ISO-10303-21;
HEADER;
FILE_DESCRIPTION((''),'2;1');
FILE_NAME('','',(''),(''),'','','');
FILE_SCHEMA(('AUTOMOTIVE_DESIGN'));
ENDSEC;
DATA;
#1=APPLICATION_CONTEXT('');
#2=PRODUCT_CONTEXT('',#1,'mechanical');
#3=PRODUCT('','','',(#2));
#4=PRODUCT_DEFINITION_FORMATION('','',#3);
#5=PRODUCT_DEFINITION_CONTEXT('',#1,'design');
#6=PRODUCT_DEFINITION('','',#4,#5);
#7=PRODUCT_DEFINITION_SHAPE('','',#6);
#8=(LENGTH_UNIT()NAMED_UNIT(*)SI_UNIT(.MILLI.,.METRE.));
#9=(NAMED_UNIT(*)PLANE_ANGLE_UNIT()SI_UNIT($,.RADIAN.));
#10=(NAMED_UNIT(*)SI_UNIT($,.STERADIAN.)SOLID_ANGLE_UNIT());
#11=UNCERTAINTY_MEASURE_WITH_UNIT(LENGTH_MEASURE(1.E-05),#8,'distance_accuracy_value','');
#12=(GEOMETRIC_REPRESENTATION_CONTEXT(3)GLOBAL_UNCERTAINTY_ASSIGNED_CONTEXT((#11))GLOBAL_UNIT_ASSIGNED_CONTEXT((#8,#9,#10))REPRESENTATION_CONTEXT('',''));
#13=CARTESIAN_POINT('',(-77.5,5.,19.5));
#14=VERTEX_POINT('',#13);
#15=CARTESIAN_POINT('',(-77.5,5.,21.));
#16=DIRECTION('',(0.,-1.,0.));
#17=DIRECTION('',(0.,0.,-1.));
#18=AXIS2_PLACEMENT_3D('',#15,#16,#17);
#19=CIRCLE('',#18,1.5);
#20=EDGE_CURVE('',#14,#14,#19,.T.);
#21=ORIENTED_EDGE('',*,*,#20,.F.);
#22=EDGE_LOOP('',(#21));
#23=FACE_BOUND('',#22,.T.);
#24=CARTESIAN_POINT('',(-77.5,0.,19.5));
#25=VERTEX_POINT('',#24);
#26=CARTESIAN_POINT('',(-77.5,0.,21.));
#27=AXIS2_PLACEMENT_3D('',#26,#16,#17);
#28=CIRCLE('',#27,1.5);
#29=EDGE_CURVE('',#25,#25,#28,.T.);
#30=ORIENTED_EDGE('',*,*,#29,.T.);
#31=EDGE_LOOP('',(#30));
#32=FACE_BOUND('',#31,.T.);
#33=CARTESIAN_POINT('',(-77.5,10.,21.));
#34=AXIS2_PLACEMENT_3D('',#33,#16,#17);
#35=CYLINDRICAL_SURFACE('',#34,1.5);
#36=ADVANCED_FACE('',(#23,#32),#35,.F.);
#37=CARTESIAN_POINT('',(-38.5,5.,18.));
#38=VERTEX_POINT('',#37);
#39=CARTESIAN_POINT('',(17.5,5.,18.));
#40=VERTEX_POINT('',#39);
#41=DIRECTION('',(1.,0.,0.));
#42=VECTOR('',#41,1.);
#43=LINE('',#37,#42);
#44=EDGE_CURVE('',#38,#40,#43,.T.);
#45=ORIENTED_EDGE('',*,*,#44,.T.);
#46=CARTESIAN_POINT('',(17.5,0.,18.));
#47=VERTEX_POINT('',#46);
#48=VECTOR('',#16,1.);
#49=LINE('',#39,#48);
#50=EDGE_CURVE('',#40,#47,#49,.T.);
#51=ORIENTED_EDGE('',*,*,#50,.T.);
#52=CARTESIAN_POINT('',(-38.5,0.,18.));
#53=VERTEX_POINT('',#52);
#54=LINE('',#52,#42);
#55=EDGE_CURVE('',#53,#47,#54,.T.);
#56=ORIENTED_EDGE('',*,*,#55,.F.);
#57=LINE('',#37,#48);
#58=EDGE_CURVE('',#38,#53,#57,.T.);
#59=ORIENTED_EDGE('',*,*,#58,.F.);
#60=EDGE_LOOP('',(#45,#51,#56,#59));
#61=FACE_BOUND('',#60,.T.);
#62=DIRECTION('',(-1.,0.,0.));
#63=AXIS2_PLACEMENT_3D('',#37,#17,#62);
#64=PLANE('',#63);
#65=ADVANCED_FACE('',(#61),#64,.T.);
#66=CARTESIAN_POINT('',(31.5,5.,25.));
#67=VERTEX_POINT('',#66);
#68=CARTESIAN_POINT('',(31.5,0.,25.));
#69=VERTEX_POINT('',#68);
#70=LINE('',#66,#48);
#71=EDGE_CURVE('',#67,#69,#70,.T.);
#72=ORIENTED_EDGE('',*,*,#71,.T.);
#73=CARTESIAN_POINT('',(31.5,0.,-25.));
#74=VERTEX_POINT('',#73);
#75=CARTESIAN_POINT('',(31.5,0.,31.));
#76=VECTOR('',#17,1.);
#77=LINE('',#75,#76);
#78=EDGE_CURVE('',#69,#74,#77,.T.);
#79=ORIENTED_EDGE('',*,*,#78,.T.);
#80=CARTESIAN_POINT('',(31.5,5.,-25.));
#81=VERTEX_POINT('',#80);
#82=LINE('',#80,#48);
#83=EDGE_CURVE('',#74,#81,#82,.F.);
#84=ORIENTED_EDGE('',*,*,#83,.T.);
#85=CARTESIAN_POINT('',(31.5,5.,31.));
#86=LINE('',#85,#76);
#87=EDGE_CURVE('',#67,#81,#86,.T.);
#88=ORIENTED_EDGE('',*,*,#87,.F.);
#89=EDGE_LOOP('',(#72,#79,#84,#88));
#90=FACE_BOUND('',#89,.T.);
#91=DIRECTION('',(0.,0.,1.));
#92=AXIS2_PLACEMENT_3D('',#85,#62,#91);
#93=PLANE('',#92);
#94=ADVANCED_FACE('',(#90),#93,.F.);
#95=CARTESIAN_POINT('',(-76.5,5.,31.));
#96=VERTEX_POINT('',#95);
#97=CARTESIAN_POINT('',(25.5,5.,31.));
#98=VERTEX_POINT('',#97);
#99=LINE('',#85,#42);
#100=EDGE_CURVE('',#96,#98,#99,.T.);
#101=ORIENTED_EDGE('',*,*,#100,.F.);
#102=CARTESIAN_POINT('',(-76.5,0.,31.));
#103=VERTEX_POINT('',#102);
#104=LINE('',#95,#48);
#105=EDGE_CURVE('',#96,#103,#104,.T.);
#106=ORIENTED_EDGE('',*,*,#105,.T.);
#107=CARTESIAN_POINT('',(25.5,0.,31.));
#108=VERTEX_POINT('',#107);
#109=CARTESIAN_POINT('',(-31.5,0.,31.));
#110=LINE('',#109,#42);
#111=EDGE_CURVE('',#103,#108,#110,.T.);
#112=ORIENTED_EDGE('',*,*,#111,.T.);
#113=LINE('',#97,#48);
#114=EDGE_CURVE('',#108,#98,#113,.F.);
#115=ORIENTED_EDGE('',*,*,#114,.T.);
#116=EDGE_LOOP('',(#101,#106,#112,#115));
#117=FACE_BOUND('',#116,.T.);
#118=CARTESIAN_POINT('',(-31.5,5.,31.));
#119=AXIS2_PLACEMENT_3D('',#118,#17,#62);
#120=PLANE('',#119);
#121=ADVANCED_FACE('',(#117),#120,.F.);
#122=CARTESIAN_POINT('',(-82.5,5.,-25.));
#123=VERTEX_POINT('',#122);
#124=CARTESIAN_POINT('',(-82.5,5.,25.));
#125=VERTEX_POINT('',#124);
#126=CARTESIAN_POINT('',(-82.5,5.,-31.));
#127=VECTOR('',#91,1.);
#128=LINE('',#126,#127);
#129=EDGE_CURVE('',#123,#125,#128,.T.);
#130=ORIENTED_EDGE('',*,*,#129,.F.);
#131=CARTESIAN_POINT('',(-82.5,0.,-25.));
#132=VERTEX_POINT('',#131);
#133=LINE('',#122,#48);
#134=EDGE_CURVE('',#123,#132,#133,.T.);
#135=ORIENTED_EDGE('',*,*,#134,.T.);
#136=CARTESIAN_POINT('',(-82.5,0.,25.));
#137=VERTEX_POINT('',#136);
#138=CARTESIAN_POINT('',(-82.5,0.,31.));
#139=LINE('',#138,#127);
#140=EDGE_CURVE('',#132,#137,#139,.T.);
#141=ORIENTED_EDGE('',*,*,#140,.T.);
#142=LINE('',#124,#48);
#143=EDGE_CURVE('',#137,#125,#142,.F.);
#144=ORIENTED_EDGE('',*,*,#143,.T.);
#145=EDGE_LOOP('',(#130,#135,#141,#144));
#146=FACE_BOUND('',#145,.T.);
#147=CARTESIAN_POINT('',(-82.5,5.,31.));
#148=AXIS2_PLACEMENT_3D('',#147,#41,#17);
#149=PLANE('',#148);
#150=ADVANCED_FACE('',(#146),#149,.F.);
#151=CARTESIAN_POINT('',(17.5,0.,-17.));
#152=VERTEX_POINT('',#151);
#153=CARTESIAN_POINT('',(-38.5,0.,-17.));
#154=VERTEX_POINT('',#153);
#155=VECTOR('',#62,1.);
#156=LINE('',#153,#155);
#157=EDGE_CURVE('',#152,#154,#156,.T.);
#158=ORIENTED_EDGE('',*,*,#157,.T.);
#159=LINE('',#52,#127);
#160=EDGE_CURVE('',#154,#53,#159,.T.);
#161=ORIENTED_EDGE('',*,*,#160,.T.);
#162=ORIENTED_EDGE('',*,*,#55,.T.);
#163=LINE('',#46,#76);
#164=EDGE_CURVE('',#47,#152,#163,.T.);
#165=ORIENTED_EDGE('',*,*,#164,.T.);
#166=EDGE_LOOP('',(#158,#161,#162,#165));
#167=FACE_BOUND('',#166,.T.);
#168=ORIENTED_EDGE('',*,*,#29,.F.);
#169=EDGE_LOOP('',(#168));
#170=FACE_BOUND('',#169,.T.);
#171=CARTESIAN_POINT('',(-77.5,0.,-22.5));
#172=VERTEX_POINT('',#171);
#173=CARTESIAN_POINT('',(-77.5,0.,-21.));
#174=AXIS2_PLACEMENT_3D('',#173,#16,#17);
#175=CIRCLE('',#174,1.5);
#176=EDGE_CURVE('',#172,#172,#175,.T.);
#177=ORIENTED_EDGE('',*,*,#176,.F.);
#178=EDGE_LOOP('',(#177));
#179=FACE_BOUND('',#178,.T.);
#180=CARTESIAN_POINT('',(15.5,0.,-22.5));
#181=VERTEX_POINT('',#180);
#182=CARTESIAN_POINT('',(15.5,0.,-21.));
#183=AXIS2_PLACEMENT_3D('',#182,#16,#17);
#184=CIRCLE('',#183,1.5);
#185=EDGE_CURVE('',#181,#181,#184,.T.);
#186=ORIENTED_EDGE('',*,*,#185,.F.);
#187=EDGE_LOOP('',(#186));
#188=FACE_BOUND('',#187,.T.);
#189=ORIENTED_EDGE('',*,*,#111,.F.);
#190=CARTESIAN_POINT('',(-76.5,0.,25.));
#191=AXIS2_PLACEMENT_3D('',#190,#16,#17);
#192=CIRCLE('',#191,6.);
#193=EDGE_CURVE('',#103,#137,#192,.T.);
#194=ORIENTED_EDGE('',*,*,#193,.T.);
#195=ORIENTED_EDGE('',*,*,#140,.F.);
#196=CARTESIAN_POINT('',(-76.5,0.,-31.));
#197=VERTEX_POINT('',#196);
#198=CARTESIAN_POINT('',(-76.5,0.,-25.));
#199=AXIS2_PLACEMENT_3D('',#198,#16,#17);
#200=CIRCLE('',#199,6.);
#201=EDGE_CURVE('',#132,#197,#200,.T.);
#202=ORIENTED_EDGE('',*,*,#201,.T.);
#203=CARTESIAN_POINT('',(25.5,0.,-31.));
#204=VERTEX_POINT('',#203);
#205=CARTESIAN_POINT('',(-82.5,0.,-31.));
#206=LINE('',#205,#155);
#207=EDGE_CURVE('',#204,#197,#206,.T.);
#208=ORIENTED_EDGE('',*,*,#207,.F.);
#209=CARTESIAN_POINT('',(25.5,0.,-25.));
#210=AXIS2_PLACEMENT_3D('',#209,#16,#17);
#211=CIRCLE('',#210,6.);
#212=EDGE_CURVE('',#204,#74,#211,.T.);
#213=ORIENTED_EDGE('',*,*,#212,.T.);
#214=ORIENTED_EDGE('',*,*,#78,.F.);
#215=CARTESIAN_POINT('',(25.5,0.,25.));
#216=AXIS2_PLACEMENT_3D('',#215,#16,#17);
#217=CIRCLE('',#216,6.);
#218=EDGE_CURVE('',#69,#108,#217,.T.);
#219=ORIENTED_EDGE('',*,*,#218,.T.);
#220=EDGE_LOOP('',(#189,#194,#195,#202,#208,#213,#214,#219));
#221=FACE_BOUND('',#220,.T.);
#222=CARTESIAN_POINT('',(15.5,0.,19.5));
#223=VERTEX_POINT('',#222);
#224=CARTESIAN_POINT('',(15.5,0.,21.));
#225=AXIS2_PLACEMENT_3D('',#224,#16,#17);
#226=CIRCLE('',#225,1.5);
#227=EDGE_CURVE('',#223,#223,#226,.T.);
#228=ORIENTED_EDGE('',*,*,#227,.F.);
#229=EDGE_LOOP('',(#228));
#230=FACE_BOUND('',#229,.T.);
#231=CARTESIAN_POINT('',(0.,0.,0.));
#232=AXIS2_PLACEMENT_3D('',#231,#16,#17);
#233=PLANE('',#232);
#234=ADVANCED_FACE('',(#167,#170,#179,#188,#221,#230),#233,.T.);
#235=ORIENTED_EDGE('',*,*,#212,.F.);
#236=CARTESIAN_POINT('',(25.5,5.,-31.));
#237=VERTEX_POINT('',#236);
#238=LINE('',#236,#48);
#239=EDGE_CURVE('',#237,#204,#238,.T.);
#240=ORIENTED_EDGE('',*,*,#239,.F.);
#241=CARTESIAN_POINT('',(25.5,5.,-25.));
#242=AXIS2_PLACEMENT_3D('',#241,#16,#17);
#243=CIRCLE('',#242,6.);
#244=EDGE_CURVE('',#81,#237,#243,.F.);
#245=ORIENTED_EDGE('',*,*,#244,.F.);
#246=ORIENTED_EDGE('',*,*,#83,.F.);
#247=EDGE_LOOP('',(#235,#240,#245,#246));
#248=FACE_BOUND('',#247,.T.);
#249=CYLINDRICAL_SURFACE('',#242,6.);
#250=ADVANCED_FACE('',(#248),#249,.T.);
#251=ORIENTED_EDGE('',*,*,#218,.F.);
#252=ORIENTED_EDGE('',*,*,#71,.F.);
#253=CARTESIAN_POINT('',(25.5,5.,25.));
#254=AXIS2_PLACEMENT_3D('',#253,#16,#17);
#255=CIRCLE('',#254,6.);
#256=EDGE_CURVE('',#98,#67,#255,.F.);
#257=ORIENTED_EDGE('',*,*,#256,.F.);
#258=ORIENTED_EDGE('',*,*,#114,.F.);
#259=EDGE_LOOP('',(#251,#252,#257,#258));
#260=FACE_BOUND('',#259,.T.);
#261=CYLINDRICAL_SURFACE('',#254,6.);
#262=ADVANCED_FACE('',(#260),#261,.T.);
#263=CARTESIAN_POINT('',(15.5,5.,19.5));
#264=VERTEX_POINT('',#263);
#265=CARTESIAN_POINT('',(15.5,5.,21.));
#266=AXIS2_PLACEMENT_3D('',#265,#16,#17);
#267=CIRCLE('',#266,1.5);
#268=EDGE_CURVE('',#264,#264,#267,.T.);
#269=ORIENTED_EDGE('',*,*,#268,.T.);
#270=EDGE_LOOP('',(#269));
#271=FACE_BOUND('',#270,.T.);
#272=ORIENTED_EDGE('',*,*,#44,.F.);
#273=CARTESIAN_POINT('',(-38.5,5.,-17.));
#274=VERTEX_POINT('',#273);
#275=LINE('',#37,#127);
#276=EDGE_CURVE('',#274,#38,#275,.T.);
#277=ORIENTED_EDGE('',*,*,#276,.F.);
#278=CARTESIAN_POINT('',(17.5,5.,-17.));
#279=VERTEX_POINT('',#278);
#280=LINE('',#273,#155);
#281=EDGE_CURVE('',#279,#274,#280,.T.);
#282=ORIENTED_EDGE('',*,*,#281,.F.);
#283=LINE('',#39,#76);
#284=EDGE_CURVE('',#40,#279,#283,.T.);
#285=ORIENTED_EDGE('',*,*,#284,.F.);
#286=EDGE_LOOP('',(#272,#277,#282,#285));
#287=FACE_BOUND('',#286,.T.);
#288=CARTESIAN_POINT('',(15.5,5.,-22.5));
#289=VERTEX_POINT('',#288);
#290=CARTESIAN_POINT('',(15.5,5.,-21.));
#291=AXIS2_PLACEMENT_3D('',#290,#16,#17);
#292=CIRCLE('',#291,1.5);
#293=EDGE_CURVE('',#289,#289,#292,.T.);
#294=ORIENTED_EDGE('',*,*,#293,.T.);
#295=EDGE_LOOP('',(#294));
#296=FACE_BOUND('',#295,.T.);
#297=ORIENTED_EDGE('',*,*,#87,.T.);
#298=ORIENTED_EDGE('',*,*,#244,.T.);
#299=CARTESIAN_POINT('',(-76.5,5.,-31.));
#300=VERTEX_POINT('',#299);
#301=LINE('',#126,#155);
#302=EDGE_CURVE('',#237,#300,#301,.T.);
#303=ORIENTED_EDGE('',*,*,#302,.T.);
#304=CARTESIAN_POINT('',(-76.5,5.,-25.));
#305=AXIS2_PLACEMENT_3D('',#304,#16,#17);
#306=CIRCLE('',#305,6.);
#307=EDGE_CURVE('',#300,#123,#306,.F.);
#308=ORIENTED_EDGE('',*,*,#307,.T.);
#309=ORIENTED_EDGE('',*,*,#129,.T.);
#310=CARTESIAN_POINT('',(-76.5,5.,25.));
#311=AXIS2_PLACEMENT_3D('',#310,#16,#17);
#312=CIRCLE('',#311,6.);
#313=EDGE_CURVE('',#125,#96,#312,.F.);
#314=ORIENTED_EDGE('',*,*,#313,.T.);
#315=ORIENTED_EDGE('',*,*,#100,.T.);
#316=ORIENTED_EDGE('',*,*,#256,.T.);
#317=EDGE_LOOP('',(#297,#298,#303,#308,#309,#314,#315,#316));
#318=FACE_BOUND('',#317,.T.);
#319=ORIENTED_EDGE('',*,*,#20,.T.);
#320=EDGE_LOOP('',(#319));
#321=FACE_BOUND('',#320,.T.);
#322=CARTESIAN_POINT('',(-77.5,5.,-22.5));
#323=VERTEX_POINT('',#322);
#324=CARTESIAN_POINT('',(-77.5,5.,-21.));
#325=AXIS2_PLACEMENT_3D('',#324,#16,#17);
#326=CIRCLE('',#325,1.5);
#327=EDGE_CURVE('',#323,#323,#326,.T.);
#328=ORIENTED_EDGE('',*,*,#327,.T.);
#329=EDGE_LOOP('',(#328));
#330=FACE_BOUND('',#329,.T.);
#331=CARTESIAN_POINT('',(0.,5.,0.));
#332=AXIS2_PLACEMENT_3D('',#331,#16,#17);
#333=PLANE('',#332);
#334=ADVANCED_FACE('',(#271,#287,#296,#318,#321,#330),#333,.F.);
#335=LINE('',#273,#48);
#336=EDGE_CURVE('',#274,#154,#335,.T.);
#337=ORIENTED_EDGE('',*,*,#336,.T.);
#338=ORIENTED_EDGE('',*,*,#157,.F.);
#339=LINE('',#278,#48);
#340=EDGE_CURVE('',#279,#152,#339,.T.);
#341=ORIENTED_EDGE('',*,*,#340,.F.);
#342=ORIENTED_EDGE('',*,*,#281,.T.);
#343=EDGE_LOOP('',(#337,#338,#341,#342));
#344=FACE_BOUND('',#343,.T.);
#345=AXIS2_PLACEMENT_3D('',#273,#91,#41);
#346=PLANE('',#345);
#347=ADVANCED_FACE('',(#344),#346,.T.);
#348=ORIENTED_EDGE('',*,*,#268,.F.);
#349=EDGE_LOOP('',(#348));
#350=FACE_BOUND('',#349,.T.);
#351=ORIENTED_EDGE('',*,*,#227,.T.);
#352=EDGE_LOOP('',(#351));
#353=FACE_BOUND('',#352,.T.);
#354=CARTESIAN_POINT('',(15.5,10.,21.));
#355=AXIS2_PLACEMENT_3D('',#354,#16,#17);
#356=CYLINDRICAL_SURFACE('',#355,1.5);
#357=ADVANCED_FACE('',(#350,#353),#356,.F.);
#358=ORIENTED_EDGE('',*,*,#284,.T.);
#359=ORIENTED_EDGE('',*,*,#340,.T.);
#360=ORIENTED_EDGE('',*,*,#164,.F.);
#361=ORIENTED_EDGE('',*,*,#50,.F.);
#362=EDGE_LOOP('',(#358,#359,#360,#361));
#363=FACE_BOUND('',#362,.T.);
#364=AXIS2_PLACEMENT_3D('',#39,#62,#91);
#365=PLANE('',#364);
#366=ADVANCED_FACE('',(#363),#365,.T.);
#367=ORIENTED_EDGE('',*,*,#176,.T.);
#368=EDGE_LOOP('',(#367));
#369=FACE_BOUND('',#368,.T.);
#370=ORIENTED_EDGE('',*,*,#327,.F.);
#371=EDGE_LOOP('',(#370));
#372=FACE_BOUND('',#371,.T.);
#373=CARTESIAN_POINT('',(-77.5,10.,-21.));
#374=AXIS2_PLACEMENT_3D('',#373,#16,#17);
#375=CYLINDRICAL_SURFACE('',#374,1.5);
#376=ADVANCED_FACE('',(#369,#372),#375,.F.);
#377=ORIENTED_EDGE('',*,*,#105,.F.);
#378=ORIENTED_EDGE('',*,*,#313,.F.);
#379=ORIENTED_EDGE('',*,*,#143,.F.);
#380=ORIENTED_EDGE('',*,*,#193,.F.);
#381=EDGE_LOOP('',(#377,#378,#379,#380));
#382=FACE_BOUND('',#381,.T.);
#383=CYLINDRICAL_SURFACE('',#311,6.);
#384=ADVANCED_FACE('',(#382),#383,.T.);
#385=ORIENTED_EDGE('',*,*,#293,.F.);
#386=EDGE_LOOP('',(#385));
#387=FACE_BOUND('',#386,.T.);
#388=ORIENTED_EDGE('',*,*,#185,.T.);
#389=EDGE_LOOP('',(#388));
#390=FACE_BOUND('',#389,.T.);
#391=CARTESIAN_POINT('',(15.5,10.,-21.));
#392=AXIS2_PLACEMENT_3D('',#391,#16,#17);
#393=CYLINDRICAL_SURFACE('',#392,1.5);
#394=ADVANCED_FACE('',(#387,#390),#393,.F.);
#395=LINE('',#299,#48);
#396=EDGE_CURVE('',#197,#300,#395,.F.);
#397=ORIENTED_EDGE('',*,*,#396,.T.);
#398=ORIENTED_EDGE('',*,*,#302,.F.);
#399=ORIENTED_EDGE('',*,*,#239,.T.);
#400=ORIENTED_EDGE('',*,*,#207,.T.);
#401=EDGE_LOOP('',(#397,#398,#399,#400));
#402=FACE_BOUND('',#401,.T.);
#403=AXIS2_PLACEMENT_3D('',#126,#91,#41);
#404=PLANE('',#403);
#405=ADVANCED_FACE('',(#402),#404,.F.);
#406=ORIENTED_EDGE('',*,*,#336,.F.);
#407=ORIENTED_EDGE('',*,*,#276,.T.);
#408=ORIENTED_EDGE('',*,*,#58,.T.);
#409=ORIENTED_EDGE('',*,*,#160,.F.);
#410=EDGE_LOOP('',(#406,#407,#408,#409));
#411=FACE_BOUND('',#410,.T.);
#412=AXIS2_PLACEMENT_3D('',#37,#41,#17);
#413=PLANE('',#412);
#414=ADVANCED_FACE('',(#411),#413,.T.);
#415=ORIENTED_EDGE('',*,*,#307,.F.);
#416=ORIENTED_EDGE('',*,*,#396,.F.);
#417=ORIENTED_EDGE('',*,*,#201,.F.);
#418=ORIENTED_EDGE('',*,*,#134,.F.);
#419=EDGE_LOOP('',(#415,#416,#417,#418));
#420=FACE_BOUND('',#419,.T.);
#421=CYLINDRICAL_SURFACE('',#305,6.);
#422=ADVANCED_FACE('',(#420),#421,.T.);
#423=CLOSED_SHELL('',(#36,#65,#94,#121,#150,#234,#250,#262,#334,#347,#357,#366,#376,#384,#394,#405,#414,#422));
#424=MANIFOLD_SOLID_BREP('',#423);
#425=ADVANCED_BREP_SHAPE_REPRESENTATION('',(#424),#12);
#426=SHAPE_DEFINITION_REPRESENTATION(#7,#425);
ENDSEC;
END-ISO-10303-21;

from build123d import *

# Parameters (mm, degrees)
SKETCH_1_W          = 56
SKETCH_1_H          = 35
EXTRUDE_1_DEPTH     = 5
SKETCH_3_R          = 1.5
CUT_EXTRUDE_1_DEPTH = 10
FILLET_1_R          = 6


with BuildPart() as part:
    # Эскиз1 → Бобышка-Вытянуть1 (new body)
    with BuildSketch(Plane(origin=(0, 0, 0), x_dir=(1, 0, 0), z_dir=(0, 1, 0))):
        Polygon((-31.5, -31), (-82.5, -31), (-82.5, 21), (-82.5, 31), (31.5, 31), (31.5, -31), align=None)
        with Locations((-10.5, -0.5)):
            Rectangle(SKETCH_1_W, SKETCH_1_H, mode=Mode.SUBTRACT)
    extrude(amount=EXTRUDE_1_DEPTH)

    # Эскиз3 → Вырез-Вытянуть1 (cut)
    with BuildSketch(Plane.XZ):
        with Locations(Location((15.5, 21, 0), (0, 0, 270))):
            Circle(SKETCH_3_R)
        with Locations(Location((15.5, -21, 0), (0, 0, 270))):
            Circle(SKETCH_3_R)
        with Locations(Location((-77.5, 21, 0), (0, 0, 270))):
            Circle(SKETCH_3_R)
        with Locations(Location((-77.5, -21, 0), (0, 0, 270))):
            Circle(SKETCH_3_R)
    extrude(amount=-CUT_EXTRUDE_1_DEPTH, mode=Mode.SUBTRACT)

    # Скругление1
    fillet_1_edges = [part.edges().sort_by_distance(p)[0] for p in [
        (-82.5, 2.5, 31),
        (-82.5, 2.5, -31),
        (31.5, 2.5, -31),
        (31.5, 2.5, 31),
    ]]
    fillet(fillet_1_edges, radius=FILLET_1_R)


solid = part.part
